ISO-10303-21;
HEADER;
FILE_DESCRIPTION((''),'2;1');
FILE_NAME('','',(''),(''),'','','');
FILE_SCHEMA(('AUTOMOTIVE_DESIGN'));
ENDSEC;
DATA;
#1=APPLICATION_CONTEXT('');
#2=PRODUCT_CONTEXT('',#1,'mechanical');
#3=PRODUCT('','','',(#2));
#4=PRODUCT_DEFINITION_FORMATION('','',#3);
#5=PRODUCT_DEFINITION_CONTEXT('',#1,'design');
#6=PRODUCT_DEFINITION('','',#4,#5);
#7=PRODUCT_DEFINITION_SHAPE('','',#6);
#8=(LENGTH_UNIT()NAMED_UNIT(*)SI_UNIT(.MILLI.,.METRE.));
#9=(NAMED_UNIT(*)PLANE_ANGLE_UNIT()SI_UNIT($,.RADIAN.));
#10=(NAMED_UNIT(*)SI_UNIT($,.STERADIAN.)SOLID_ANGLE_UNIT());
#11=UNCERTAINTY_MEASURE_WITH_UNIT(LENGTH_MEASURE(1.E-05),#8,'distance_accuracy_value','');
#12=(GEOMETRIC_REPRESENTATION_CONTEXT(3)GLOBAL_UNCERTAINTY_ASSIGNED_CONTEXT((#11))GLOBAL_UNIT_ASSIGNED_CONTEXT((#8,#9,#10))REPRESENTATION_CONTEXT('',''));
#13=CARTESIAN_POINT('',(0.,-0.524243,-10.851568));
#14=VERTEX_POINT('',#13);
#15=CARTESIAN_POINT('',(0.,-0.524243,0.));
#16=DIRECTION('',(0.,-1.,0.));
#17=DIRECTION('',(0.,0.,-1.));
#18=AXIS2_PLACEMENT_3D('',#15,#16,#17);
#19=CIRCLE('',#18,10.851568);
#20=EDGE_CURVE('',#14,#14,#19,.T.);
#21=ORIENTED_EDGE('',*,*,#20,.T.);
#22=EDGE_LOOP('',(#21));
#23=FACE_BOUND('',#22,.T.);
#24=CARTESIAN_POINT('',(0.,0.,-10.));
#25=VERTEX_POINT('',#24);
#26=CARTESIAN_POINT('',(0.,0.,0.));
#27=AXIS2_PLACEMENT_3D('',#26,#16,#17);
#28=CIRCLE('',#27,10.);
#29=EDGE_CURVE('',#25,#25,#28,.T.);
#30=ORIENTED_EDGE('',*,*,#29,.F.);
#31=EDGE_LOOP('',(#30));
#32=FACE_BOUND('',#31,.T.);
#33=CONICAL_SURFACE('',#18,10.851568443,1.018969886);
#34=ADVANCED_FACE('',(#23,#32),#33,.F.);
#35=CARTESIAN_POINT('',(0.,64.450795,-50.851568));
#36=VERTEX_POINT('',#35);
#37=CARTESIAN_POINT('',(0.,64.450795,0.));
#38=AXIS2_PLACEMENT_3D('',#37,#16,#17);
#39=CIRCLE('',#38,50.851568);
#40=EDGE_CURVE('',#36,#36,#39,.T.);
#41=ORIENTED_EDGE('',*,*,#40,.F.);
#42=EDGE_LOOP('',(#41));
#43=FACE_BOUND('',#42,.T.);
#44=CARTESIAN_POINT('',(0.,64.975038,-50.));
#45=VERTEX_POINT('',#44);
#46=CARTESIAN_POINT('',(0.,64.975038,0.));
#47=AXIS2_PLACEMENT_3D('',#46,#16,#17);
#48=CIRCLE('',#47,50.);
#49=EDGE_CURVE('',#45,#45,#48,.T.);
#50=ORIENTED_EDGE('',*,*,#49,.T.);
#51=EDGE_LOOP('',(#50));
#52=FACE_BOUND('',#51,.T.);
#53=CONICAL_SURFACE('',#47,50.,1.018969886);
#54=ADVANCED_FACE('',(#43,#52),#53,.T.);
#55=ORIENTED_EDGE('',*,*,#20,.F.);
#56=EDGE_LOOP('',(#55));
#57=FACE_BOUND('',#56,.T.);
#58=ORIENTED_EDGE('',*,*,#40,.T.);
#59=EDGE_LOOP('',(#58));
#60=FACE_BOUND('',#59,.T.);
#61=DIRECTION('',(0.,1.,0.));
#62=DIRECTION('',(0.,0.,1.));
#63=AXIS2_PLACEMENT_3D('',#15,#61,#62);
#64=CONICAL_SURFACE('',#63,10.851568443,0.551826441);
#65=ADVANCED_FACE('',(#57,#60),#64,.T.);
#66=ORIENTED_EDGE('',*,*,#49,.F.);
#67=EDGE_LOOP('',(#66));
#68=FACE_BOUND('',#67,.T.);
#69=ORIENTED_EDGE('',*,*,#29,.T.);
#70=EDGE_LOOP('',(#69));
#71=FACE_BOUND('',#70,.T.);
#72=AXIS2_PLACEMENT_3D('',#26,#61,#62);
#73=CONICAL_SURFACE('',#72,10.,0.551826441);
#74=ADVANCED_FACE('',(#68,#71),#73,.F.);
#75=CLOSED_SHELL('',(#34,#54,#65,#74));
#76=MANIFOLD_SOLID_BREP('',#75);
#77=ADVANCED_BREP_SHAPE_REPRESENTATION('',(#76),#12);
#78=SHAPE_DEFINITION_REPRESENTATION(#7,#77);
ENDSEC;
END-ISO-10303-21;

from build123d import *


with BuildPart() as part:
    # Sketch1 → Revolve-Thin1 (revolve)
    with BuildSketch(Plane.XY):
        Polygon((10, 0), (50, 64.975038364), (50.851568443, 64.450794923), (10.851568443, -0.524243442), align=None)
    revolve(axis=Axis((0, 0, 0), (0, 1, 0)))


solid = part.part
